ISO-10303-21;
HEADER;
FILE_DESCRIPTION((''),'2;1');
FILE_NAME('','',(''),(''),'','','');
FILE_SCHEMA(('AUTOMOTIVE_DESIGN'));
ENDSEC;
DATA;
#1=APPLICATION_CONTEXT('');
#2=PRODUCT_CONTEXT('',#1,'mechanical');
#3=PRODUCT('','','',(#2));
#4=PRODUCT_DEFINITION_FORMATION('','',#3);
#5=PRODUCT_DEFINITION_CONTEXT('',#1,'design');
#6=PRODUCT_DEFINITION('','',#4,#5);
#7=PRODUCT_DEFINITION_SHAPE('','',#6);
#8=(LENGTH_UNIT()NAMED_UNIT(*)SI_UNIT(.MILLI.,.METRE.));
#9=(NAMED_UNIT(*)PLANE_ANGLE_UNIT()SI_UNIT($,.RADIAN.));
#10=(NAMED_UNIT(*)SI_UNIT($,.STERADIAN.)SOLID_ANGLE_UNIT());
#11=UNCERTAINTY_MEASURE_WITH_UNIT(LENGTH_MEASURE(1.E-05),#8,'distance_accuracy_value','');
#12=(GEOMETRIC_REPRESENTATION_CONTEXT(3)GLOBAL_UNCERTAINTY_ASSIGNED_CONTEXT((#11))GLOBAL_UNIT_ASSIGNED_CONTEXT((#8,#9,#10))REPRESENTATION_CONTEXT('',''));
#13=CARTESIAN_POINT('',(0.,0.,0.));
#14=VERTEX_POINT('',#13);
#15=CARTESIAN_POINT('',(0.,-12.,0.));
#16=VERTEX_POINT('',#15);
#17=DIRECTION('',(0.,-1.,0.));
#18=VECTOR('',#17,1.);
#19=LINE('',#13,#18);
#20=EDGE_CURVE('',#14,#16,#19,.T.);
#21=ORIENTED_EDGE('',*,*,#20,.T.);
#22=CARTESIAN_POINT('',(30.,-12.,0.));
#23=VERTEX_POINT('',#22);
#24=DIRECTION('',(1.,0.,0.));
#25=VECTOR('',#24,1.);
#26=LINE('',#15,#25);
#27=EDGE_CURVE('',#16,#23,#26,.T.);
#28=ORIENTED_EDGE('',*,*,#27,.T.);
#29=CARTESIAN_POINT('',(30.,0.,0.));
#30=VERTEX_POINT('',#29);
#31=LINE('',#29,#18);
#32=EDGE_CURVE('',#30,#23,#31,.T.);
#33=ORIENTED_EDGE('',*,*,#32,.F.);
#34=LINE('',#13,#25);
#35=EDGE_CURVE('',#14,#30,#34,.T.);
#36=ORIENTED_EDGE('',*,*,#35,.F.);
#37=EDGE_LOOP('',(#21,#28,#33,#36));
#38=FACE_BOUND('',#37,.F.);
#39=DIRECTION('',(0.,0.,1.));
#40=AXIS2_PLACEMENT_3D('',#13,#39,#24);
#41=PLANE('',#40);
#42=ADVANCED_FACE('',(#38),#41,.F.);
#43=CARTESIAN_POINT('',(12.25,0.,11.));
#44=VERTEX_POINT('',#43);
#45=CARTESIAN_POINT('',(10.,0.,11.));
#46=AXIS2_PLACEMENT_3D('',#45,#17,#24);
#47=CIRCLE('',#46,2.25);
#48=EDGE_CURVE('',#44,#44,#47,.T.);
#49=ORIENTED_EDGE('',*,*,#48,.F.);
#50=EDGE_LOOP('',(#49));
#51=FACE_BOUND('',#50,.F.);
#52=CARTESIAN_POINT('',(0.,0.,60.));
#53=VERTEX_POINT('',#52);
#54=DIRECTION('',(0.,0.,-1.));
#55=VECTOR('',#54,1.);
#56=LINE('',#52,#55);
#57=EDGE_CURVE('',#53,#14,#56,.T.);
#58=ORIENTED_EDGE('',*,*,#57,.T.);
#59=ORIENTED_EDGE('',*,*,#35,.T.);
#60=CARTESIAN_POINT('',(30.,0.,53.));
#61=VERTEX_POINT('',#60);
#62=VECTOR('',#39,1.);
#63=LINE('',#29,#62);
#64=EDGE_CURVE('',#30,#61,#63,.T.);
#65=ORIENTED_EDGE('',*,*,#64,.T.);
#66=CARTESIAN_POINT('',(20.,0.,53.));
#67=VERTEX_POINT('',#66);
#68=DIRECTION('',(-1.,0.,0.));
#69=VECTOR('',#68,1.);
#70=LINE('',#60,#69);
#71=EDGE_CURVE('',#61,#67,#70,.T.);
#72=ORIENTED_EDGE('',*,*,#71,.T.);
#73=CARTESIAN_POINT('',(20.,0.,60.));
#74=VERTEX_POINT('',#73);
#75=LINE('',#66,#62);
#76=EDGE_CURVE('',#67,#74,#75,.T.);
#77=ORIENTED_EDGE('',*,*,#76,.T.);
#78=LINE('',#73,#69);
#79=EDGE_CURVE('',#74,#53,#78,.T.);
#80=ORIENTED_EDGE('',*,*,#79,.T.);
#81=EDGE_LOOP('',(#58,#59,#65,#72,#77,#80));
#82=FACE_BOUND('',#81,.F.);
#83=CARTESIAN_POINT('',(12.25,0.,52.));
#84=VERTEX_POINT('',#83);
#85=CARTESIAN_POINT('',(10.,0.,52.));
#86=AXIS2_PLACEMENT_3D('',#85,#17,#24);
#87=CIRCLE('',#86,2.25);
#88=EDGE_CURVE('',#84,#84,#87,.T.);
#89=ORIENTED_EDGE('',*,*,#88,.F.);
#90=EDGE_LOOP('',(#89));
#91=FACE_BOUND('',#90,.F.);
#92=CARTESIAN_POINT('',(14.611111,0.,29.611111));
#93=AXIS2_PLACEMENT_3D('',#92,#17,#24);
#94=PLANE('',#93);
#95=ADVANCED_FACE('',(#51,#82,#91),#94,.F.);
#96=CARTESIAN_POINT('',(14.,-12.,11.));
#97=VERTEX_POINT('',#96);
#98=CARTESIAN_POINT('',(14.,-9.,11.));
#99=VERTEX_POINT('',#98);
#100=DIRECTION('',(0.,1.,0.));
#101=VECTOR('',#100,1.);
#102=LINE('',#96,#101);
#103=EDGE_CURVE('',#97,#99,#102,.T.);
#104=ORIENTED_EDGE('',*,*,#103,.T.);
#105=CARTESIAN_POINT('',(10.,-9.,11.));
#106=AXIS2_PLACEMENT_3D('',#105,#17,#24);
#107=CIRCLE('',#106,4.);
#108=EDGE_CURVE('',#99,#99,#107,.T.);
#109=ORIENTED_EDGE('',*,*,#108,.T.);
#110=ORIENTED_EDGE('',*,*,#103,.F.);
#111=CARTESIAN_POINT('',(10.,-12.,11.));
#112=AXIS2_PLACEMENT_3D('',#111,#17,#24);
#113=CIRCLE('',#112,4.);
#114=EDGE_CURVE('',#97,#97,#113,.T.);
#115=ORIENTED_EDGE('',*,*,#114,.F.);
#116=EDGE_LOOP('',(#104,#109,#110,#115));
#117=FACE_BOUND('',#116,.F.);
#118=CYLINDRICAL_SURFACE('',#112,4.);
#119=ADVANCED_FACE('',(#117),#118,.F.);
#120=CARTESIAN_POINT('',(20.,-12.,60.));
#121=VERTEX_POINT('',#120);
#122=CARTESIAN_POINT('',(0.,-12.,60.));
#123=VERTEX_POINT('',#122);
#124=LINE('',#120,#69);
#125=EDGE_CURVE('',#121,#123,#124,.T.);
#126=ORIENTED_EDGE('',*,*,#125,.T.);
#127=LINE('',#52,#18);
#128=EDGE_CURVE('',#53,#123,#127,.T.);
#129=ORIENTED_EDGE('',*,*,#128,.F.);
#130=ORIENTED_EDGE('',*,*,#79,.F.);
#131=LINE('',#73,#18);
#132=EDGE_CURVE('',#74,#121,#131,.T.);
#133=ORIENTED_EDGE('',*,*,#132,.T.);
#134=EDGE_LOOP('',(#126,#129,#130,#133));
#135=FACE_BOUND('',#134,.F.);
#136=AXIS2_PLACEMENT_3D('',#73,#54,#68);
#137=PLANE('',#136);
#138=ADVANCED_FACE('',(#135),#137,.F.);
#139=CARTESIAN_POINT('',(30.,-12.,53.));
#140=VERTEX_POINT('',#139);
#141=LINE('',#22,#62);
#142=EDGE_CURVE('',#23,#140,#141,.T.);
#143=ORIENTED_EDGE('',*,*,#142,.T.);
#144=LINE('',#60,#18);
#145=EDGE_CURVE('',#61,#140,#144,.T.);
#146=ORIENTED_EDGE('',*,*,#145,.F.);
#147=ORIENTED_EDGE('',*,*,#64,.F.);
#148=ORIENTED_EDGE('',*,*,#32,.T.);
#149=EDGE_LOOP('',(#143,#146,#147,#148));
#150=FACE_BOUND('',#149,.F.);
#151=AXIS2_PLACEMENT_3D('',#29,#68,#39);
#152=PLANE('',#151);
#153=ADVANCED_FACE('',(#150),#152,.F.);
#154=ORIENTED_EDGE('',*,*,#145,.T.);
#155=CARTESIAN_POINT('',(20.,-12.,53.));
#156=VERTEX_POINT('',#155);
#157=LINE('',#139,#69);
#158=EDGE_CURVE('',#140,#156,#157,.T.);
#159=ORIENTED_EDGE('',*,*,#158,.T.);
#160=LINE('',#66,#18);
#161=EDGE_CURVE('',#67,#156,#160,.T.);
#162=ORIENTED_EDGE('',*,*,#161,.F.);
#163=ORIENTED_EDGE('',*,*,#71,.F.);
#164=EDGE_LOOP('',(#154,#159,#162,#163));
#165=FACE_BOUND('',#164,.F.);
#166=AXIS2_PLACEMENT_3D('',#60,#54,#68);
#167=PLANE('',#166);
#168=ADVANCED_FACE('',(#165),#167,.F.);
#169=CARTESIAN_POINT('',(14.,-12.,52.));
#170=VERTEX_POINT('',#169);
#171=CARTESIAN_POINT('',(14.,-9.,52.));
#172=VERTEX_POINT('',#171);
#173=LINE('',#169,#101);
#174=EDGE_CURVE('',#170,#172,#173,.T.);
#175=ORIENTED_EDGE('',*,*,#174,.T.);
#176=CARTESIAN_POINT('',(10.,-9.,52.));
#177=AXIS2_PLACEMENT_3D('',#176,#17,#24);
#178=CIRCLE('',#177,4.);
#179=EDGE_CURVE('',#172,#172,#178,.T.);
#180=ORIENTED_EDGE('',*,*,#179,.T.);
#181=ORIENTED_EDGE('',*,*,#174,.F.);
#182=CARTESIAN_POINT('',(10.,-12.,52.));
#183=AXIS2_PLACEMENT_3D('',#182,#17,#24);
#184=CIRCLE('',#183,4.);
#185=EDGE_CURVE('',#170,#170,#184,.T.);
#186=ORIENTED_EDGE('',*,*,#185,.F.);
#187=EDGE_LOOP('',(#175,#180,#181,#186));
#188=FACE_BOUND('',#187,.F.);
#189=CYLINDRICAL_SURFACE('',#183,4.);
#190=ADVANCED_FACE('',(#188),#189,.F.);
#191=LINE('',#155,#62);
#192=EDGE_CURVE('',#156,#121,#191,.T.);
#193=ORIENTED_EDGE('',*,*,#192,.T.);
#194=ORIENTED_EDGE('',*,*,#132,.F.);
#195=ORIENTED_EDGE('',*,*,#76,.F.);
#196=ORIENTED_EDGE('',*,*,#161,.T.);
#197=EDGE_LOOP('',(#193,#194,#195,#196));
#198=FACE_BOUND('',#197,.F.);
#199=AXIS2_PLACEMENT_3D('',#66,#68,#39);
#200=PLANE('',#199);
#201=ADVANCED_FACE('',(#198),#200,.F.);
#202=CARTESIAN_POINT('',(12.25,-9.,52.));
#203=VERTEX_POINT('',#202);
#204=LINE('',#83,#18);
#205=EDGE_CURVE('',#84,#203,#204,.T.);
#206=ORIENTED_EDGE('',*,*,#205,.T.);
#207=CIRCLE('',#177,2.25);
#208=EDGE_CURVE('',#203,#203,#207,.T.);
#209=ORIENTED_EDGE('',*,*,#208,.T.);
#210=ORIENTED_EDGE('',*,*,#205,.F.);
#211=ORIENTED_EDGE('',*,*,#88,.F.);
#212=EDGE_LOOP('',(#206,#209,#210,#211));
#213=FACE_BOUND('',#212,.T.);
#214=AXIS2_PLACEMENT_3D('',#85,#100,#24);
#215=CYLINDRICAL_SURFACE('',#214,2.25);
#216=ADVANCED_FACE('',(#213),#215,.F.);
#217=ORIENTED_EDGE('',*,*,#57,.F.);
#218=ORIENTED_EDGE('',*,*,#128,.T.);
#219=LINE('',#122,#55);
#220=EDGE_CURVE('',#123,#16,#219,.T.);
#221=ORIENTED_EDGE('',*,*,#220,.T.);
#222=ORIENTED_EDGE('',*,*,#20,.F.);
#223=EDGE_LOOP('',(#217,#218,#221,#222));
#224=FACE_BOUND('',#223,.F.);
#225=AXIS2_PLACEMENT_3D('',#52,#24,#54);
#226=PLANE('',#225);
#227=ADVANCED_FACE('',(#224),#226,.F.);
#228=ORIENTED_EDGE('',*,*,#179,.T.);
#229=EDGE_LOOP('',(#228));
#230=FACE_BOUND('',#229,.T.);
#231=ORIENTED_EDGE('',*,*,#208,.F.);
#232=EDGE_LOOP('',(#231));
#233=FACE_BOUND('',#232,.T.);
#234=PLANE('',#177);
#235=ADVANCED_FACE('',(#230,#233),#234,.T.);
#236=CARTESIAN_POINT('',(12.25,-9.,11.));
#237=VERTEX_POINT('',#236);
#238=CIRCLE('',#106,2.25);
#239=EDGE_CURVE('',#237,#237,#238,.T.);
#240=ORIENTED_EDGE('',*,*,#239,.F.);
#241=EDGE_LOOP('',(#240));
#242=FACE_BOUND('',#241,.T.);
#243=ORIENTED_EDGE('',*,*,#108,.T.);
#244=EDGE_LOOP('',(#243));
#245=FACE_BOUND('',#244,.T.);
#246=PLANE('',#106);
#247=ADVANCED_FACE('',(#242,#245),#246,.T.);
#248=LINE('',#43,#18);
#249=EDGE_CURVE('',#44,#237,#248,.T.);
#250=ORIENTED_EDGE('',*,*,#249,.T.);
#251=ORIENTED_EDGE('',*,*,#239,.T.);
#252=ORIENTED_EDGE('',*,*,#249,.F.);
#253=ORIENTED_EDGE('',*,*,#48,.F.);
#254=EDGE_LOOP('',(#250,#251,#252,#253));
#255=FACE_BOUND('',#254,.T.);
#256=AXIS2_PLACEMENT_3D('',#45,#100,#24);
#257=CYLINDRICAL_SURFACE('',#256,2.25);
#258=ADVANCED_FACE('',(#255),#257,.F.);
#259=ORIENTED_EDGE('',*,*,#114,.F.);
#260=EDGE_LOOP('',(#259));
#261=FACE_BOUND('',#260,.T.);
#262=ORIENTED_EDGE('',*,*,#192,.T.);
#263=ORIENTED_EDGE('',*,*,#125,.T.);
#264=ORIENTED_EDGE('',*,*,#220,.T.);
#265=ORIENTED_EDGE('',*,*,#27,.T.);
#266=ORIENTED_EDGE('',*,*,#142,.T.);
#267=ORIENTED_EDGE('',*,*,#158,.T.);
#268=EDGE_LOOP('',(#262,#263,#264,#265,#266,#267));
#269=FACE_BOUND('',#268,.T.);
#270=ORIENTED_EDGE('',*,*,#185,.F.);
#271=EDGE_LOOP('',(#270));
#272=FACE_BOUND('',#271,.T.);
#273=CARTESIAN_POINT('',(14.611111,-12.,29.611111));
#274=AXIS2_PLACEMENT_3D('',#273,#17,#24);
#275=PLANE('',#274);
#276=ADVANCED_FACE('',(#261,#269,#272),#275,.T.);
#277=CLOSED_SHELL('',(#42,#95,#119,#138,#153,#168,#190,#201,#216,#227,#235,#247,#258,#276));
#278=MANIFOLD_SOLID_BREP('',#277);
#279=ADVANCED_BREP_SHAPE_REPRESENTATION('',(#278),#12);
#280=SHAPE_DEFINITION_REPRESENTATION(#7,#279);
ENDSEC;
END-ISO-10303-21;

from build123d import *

# Parameters (mm, degrees)
F0_R     = 2.25
F1_DEPTH = 12
F2_R     = 4
F2_R_2   = 2.25
F3_DEPTH = 3


with BuildPart() as f1:
    # F0 (on Front) → F1 (new body)
    with BuildSketch(Plane.XZ):
        Polygon((0, 60), (0, 0), (30, 0), (30, 53), (20, 53), (20, 60), align=None)
        with Locations((10, 11)):
            Circle(F0_R, mode=Mode.SUBTRACT)
        with Locations((10, 52)):
            Circle(F0_R, mode=Mode.SUBTRACT)
    extrude(amount=F1_DEPTH)

    # F2 (on face) → F3 (cut)
    with BuildSketch(Plane.XZ.offset(12)):
        with Locations((10, 52)):
            Circle(F2_R)
        with Locations((10, 52)):
            Circle(F2_R_2, mode=Mode.SUBTRACT)
        with Locations((10, 11)):
            Circle(F2_R)
        with Locations((10, 11)):
            Circle(F2_R_2, mode=Mode.SUBTRACT)
    extrude(amount=-F3_DEPTH, mode=Mode.SUBTRACT)


solid = f1.part
